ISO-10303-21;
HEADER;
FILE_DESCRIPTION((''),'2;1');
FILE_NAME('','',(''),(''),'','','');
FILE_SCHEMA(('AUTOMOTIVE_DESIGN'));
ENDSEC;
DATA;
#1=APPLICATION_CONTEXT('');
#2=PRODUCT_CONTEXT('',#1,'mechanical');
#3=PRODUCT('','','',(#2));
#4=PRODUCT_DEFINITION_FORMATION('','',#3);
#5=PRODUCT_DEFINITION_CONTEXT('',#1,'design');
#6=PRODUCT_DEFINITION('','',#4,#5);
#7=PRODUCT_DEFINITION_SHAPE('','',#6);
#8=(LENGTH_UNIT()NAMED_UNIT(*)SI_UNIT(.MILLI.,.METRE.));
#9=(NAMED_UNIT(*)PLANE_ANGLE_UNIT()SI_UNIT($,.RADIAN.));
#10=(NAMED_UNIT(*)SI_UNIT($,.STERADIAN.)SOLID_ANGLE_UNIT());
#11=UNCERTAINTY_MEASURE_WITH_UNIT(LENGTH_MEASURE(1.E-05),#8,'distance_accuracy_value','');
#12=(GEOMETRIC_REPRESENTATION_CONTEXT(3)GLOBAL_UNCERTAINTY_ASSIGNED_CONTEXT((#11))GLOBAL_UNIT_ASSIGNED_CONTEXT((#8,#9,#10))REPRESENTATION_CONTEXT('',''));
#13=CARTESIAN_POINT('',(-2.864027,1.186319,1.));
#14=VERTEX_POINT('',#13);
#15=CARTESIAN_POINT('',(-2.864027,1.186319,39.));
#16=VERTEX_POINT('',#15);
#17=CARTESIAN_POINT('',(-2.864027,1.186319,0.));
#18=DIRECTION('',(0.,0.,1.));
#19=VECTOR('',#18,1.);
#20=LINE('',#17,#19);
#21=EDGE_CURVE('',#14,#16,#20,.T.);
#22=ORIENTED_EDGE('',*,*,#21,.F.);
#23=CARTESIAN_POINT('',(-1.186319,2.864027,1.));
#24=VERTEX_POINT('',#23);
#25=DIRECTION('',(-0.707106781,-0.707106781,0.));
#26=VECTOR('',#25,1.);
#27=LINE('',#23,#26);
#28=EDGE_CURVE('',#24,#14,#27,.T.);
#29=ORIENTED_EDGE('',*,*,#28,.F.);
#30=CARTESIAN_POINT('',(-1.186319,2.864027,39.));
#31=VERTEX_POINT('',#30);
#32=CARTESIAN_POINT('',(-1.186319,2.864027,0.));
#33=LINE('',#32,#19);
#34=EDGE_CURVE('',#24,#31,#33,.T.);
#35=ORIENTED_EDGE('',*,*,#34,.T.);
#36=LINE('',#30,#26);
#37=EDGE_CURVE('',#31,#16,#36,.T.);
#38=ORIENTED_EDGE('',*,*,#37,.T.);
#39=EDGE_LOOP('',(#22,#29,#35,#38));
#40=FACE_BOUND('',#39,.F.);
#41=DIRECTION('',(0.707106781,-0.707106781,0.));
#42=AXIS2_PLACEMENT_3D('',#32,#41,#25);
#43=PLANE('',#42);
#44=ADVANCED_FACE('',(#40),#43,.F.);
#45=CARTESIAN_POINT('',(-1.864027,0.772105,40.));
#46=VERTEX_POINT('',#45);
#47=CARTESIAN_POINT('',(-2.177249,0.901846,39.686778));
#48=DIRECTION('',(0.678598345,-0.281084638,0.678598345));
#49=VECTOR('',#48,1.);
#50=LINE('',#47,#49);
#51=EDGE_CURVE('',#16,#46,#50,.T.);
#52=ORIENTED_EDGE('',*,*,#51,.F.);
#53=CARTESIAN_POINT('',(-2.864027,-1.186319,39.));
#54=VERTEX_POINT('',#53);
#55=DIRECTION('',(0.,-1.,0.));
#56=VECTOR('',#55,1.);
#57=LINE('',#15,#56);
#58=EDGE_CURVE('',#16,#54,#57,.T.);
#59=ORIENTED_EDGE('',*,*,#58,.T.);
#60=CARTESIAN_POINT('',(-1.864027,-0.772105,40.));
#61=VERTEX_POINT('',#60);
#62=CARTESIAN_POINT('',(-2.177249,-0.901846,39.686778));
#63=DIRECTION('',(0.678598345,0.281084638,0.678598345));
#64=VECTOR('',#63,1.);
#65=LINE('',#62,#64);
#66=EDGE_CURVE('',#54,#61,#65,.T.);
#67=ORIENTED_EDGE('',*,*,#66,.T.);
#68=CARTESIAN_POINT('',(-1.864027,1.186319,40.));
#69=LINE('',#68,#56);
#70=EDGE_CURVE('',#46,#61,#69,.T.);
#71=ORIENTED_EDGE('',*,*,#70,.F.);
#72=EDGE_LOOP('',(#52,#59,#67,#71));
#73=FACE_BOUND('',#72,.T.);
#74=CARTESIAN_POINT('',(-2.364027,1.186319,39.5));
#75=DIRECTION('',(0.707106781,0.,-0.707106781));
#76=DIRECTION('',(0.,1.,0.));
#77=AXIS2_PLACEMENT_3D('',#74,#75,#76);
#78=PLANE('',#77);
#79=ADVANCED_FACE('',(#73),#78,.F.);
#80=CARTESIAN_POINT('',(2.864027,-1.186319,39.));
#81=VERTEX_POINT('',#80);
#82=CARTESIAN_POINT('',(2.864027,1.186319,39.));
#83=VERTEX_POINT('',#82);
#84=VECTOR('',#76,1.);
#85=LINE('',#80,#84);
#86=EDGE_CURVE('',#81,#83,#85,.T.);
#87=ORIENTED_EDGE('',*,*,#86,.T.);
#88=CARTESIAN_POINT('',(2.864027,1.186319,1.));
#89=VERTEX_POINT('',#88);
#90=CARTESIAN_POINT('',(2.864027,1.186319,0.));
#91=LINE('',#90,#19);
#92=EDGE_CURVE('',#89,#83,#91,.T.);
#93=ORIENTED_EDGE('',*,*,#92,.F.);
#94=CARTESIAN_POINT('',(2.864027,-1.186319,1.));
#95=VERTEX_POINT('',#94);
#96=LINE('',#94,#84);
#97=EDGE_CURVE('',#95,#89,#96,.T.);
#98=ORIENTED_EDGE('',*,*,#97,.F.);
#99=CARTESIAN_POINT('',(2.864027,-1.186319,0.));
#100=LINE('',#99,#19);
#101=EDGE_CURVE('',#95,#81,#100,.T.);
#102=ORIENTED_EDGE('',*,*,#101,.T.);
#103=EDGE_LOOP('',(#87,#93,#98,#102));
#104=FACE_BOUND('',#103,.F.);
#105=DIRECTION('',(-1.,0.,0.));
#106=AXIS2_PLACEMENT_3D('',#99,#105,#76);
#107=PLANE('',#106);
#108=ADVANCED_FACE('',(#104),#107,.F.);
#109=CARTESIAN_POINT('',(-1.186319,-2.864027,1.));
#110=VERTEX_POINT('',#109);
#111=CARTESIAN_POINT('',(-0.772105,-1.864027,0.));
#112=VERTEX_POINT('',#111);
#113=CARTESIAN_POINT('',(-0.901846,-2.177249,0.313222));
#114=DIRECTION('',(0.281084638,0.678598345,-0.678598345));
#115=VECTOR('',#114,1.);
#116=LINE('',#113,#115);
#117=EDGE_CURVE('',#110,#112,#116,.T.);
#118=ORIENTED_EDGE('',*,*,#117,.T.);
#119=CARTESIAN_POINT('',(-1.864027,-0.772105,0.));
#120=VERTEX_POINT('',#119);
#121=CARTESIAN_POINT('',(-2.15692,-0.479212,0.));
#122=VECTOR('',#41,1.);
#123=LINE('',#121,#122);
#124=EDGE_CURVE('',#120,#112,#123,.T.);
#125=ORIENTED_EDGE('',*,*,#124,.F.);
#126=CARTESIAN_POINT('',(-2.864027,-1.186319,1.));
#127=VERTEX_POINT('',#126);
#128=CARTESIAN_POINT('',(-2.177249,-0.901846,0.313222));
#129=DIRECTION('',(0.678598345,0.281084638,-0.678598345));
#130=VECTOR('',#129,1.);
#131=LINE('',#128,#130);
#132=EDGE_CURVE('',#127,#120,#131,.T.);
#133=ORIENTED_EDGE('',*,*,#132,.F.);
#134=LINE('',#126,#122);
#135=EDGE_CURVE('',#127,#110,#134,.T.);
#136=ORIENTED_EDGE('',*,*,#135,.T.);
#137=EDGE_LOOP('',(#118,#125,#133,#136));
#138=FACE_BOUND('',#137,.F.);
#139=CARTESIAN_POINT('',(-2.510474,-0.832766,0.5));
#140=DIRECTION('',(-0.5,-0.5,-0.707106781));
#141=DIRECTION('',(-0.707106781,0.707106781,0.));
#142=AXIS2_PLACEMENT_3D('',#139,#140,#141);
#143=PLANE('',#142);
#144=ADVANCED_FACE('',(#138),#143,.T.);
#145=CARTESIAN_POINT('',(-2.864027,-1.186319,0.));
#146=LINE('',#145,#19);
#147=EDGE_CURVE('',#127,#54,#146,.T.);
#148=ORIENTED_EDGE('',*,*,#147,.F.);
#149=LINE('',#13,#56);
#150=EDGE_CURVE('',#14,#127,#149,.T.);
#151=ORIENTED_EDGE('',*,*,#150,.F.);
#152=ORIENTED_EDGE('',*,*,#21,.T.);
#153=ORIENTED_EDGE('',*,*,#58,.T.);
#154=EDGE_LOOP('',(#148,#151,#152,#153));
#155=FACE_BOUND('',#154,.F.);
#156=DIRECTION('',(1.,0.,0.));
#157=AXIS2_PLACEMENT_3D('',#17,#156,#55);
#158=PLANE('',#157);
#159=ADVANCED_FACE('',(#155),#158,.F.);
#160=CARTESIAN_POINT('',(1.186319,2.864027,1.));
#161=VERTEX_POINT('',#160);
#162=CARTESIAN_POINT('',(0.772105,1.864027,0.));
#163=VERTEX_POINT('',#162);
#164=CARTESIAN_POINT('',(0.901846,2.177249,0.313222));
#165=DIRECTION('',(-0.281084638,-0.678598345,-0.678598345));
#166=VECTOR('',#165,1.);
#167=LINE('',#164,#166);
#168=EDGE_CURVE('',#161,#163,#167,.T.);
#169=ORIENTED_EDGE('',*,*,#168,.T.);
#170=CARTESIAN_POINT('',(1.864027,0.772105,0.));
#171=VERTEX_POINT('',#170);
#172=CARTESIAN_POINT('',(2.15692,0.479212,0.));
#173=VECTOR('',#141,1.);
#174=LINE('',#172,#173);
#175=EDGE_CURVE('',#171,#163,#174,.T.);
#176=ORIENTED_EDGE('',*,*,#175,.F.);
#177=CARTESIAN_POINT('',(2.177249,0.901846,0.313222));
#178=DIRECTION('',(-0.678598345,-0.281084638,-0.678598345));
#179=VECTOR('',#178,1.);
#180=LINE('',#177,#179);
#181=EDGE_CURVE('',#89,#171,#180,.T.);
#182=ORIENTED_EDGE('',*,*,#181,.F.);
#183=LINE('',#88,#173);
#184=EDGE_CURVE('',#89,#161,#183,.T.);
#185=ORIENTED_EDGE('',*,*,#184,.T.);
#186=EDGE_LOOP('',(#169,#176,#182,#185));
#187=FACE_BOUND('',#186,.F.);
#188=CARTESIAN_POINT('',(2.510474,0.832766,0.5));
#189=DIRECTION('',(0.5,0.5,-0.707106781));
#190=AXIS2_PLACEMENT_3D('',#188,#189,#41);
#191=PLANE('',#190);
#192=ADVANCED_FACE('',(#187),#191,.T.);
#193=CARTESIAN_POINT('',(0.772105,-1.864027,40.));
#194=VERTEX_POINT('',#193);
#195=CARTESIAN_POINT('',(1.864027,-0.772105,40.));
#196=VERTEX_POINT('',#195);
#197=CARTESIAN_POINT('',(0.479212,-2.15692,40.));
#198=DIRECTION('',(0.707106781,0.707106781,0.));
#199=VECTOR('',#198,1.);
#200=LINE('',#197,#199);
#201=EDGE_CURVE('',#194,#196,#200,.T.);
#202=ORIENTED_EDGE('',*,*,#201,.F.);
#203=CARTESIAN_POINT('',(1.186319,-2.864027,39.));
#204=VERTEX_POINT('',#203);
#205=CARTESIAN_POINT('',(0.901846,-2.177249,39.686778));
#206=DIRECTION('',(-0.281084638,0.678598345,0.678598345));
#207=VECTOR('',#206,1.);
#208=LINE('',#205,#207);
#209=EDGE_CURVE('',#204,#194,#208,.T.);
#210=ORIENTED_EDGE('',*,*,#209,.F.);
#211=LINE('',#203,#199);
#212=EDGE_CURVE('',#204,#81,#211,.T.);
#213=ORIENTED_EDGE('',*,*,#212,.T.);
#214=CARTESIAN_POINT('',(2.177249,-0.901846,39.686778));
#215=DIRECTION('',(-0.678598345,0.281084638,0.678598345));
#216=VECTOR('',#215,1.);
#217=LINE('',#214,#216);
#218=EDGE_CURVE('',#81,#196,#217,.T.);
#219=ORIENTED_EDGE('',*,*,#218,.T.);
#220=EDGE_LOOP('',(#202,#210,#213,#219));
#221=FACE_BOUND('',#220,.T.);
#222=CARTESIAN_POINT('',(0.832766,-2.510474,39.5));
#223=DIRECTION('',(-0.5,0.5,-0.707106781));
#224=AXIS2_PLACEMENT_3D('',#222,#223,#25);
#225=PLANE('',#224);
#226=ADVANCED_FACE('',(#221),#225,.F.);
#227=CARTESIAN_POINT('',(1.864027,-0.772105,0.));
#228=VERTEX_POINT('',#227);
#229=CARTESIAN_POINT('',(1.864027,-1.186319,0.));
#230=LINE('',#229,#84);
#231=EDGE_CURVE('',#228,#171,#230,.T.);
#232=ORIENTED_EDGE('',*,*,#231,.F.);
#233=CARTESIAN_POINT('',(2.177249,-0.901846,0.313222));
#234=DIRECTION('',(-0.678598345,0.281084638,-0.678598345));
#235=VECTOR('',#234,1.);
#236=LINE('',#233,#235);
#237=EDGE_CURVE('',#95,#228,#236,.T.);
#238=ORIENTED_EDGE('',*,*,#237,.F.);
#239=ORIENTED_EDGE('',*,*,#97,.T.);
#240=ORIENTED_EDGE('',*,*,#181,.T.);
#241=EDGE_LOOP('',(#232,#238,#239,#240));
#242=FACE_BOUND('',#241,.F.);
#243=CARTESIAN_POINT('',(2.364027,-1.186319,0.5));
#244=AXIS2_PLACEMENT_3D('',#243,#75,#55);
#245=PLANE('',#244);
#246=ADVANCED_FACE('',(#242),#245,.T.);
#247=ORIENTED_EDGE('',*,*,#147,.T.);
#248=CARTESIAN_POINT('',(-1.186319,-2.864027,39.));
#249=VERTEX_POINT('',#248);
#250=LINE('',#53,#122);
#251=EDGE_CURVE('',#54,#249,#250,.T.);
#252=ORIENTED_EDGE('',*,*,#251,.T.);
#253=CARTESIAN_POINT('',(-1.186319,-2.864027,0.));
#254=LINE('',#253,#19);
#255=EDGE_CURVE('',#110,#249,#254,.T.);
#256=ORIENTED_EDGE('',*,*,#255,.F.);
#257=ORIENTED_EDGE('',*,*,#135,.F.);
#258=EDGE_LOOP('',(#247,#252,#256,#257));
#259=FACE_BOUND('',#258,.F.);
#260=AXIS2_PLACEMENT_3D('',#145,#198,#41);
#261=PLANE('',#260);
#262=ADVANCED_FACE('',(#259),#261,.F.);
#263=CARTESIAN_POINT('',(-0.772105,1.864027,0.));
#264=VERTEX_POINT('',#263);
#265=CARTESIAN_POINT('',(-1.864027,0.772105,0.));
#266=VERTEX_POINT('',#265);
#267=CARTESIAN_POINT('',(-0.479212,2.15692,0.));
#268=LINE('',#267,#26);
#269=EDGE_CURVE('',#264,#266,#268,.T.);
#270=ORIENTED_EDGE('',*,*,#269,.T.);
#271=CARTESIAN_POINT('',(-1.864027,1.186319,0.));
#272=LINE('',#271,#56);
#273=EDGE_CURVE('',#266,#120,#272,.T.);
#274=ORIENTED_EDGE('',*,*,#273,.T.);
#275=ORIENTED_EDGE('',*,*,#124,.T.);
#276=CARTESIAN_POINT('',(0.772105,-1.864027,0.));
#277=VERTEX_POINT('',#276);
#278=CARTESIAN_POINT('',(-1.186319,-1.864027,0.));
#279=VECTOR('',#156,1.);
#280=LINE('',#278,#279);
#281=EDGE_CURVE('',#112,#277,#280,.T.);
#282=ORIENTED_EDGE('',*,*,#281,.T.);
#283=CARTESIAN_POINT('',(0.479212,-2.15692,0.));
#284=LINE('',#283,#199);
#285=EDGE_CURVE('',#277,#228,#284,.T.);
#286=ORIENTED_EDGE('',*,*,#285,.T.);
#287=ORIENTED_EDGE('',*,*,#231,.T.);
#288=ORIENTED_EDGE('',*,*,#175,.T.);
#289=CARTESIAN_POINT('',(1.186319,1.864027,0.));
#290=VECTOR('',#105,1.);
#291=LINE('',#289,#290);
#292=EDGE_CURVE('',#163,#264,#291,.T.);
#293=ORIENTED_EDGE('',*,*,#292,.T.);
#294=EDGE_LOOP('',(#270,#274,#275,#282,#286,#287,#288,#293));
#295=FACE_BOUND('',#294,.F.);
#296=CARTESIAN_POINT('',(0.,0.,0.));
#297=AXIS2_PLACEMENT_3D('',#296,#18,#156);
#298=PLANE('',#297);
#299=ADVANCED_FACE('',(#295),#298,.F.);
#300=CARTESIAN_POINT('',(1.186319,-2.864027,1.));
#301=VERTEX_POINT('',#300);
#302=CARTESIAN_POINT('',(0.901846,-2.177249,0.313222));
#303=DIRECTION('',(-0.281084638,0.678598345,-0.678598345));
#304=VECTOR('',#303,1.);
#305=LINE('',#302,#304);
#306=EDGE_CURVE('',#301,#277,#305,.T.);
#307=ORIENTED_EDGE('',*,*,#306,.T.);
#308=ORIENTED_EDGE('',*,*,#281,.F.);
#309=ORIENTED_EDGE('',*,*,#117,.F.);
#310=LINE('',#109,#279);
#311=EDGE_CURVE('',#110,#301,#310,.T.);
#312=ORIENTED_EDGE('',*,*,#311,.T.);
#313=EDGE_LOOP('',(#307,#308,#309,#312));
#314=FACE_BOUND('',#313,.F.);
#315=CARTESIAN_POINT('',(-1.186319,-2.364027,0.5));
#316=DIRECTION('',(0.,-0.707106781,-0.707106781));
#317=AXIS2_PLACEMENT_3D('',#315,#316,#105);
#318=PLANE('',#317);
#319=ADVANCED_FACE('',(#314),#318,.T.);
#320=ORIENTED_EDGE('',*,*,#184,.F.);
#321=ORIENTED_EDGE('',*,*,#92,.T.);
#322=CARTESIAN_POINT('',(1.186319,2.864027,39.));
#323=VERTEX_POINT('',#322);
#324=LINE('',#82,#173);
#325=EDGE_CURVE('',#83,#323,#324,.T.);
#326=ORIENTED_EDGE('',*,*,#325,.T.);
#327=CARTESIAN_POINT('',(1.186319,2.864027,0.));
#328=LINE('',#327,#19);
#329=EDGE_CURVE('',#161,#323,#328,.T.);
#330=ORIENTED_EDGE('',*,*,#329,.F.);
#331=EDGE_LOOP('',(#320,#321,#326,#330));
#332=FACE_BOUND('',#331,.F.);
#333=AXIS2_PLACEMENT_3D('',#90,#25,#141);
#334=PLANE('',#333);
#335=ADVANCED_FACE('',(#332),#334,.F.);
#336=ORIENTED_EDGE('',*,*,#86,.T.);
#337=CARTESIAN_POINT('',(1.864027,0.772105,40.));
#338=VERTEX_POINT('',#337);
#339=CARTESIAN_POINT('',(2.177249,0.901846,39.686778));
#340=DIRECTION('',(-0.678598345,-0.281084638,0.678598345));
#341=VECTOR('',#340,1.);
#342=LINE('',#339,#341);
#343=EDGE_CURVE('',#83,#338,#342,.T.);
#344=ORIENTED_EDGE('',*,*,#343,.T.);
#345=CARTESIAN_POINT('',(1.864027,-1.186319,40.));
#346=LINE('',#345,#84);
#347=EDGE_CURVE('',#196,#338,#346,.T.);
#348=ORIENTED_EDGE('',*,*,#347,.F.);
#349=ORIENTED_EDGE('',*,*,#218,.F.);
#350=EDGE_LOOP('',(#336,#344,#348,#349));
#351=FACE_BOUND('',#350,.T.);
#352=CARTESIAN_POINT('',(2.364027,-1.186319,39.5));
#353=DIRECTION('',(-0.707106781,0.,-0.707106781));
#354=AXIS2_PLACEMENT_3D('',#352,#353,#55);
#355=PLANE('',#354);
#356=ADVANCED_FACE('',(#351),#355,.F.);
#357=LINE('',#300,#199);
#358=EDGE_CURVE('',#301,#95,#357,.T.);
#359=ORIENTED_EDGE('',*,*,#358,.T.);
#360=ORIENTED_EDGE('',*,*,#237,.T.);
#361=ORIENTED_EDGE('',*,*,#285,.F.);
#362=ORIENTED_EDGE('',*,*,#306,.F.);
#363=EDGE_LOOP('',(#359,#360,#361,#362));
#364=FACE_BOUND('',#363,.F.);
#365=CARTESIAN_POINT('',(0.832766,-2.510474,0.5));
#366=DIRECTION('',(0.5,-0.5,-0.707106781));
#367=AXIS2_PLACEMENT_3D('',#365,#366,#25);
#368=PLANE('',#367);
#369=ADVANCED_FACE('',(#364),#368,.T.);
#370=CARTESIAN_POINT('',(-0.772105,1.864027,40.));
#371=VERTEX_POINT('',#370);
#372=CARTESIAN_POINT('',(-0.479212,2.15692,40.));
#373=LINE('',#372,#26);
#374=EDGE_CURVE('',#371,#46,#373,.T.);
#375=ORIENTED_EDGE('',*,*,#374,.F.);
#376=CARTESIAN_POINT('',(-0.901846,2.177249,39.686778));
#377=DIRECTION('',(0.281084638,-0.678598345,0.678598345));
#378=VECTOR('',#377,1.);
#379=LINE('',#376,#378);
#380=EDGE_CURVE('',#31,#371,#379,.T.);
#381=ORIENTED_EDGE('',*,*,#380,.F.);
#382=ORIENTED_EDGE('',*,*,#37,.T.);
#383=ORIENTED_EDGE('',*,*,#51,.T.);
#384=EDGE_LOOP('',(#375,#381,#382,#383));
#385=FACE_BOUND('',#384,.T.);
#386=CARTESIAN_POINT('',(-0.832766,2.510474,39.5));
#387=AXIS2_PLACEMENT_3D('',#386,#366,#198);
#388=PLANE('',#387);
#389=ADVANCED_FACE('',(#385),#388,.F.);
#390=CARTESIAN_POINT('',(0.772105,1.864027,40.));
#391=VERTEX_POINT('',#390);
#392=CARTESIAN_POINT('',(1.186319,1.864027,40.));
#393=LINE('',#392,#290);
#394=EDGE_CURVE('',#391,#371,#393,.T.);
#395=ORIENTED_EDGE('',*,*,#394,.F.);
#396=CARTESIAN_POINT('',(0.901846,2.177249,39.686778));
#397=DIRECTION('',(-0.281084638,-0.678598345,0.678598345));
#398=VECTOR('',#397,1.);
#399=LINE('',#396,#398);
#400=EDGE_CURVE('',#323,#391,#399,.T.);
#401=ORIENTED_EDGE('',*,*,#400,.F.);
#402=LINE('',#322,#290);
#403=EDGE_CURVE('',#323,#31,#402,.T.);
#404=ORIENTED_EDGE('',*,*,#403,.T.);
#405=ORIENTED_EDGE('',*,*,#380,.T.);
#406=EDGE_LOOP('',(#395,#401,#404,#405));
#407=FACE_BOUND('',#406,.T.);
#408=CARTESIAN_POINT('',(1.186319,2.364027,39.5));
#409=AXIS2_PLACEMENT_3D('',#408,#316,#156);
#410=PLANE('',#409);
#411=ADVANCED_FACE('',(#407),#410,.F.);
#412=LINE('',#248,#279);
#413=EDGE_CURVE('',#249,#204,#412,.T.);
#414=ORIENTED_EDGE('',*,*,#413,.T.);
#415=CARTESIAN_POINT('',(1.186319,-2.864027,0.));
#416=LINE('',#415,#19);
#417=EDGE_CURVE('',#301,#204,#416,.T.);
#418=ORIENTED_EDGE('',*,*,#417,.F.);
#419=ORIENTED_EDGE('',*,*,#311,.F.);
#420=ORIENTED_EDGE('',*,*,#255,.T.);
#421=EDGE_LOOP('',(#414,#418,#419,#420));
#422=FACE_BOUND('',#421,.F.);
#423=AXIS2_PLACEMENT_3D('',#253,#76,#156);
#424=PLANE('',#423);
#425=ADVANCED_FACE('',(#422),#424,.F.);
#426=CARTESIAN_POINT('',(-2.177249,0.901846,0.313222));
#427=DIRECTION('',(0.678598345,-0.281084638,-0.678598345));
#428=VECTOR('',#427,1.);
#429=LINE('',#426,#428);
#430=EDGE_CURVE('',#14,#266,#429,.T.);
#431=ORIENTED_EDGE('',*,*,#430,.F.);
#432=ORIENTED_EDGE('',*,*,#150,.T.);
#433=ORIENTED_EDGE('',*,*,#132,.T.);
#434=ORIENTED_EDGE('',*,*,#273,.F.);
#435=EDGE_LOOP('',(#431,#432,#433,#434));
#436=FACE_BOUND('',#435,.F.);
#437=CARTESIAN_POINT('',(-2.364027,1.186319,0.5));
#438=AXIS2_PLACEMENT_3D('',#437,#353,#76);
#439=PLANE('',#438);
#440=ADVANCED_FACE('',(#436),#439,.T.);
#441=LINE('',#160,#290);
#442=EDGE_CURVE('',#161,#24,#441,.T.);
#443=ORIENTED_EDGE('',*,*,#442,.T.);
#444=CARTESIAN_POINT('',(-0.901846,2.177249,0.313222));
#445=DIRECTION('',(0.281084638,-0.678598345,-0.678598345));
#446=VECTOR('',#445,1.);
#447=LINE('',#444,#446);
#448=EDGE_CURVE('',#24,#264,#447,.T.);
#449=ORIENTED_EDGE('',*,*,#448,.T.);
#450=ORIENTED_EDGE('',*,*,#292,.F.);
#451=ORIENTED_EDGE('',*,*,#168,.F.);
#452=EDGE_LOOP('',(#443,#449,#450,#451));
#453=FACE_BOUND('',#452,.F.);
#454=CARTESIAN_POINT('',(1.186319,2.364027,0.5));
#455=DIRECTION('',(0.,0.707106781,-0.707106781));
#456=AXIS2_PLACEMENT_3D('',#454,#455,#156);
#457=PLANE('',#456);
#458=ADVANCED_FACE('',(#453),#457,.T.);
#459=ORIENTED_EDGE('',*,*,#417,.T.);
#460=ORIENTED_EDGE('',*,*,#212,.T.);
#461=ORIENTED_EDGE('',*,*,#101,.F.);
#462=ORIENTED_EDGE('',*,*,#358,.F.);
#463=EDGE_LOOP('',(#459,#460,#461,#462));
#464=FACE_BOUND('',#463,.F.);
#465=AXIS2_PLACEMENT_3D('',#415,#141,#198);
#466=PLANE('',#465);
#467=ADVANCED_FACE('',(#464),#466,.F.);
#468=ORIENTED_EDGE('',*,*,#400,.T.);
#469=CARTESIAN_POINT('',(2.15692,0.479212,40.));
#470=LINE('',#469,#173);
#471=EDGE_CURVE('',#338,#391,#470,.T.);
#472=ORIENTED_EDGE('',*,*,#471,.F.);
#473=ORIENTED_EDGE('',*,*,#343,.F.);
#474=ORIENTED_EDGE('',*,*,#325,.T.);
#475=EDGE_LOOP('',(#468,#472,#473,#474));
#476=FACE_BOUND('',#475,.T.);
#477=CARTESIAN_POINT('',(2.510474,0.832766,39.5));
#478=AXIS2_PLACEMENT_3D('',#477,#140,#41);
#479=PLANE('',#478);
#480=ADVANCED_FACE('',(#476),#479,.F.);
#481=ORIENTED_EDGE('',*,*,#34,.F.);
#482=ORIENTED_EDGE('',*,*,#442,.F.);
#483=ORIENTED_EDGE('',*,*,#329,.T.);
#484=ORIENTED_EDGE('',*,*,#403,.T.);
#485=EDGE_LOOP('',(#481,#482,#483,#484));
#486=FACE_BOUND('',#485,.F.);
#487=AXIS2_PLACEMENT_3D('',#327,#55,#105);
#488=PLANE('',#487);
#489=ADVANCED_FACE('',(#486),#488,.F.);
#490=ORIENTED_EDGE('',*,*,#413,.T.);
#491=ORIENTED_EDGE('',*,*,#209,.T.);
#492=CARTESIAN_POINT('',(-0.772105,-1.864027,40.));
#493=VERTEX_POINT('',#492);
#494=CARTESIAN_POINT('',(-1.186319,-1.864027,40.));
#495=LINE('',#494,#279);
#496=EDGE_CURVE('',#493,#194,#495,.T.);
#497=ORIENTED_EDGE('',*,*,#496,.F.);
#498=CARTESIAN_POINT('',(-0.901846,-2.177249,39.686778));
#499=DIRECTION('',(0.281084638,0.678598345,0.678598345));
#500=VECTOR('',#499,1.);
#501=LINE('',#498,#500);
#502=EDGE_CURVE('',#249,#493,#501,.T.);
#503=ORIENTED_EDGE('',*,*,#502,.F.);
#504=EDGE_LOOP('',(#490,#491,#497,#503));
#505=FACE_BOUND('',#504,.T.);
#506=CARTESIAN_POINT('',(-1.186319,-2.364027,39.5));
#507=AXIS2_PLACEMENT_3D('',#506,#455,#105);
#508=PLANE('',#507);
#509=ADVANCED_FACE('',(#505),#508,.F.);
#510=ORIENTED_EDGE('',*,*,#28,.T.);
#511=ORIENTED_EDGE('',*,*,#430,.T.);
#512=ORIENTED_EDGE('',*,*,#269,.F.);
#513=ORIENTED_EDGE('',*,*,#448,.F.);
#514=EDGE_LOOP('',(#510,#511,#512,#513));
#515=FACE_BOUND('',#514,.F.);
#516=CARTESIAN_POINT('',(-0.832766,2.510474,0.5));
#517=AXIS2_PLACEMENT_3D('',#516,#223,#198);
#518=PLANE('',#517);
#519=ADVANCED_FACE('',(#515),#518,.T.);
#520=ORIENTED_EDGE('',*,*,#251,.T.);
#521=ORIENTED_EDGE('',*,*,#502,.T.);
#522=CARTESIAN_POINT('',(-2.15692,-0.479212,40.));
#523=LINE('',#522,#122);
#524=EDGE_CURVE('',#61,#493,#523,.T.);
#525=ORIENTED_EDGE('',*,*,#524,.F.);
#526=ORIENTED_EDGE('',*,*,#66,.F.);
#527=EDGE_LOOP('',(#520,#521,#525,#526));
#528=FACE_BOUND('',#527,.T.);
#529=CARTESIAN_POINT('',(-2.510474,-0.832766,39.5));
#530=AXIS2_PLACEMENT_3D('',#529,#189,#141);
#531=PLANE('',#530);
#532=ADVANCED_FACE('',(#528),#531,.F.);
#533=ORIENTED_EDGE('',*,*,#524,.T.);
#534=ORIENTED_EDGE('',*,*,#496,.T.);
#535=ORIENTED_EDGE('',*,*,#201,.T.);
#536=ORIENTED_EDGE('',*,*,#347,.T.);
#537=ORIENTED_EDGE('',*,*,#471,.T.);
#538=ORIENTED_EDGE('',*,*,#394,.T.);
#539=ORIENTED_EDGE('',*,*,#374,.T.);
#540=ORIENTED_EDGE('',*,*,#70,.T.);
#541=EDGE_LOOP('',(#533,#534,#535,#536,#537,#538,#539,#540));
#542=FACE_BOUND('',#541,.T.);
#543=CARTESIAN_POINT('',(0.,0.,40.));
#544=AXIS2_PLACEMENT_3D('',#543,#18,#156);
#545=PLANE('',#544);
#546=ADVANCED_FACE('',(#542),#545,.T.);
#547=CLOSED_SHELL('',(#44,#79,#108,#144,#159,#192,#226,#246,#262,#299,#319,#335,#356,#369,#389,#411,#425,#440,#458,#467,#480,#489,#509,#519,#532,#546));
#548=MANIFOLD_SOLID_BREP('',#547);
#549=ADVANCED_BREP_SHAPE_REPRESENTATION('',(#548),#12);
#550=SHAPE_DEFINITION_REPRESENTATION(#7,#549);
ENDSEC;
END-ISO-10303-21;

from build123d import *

# Parameters (mm, degrees)
F1_DEPTH = 40
F2_SIZE  = 1


with BuildPart() as f1:
    # F0 (on Top) → F1 (new body)
    with BuildSketch(Plane.XY):
        Polygon((2.864027, -1.186319), (2.864027, 1.186319), (1.186319, 2.864027), (-1.186319, 2.864027), (-2.864027, 1.186319), (-2.864027, -1.186319), (-1.186319, -2.864027), (1.186319, -2.864027), align=None)
    extrude(amount=F1_DEPTH)

    # F2
    f2_edges = [f1.edges().sort_by_distance(p)[0] for p in [
        (2.025173, -2.025173, 40),
        (2.864027, 0, 40),
        (2.025173, 2.025173, 40),
        (0, 2.864027, 40),
        (-2.025173, 2.025173, 40),
        (-2.864027, 0, 40),
        (-2.025173, -2.025173, 40),
        (0, -2.864027, 40),
        (2.025173, -2.025173, 0),
        (2.864027, 0, 0),
        (2.025173, 2.025173, 0),
        (0, 2.864027, 0),
        (-2.025173, 2.025173, 0),
        (-2.864027, 0, 0),
        (-2.025173, -2.025173, 0),
        (0, -2.864027, 0),
    ]]
    chamfer(f2_edges, length=F2_SIZE)


solid = f1.part
